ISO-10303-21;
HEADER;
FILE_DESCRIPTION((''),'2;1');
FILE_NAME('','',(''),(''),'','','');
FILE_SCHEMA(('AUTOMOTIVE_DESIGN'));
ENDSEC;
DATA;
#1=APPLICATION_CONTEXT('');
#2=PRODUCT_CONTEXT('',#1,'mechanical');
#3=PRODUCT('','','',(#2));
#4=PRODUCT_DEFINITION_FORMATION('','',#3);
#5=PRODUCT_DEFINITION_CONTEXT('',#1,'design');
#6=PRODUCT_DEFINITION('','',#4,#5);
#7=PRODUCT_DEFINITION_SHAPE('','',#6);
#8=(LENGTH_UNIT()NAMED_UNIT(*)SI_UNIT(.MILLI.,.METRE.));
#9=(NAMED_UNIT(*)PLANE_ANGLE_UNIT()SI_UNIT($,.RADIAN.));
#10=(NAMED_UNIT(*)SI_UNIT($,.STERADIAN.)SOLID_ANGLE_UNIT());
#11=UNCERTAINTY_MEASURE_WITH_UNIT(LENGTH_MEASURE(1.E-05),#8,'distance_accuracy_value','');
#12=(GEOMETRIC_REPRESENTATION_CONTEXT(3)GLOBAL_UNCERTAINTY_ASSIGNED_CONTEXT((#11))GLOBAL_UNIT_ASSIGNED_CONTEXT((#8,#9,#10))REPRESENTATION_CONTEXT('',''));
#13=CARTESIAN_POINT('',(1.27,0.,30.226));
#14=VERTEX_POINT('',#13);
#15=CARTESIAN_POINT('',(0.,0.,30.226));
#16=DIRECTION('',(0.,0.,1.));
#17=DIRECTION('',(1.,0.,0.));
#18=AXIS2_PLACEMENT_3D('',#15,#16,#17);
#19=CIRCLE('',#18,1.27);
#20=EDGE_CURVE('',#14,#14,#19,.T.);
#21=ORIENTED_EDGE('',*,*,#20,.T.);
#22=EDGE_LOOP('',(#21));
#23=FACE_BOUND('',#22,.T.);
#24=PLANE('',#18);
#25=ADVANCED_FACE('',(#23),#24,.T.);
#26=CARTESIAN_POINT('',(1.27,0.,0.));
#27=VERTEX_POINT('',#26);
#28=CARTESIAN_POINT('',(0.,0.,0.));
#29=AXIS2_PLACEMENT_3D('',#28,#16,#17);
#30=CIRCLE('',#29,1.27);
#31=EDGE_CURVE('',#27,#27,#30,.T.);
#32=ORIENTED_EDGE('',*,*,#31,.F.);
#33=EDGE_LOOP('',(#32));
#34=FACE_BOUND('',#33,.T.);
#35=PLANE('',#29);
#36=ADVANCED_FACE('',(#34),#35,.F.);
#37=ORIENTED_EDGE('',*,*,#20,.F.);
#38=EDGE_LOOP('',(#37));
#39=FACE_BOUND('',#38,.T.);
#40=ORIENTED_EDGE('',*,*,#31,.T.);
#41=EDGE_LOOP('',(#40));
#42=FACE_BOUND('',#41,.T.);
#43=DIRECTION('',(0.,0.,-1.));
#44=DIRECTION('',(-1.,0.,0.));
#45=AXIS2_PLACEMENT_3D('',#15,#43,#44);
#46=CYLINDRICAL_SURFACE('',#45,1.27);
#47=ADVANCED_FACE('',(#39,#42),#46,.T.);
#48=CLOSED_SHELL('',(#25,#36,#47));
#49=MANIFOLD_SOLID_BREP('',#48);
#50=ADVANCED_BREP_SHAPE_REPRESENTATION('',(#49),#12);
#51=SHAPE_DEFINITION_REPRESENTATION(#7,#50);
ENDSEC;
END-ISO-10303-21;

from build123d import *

# Parameters (mm, degrees)
SKETCH1_R      = 1.27
EXTRUDE1_DEPTH = 30.226


with BuildPart() as part:
    # Sketch1 → Extrude1 (new body)
    with BuildSketch(Plane.XY):
        Circle(SKETCH1_R)
    extrude(amount=EXTRUDE1_DEPTH)


solid = part.part
